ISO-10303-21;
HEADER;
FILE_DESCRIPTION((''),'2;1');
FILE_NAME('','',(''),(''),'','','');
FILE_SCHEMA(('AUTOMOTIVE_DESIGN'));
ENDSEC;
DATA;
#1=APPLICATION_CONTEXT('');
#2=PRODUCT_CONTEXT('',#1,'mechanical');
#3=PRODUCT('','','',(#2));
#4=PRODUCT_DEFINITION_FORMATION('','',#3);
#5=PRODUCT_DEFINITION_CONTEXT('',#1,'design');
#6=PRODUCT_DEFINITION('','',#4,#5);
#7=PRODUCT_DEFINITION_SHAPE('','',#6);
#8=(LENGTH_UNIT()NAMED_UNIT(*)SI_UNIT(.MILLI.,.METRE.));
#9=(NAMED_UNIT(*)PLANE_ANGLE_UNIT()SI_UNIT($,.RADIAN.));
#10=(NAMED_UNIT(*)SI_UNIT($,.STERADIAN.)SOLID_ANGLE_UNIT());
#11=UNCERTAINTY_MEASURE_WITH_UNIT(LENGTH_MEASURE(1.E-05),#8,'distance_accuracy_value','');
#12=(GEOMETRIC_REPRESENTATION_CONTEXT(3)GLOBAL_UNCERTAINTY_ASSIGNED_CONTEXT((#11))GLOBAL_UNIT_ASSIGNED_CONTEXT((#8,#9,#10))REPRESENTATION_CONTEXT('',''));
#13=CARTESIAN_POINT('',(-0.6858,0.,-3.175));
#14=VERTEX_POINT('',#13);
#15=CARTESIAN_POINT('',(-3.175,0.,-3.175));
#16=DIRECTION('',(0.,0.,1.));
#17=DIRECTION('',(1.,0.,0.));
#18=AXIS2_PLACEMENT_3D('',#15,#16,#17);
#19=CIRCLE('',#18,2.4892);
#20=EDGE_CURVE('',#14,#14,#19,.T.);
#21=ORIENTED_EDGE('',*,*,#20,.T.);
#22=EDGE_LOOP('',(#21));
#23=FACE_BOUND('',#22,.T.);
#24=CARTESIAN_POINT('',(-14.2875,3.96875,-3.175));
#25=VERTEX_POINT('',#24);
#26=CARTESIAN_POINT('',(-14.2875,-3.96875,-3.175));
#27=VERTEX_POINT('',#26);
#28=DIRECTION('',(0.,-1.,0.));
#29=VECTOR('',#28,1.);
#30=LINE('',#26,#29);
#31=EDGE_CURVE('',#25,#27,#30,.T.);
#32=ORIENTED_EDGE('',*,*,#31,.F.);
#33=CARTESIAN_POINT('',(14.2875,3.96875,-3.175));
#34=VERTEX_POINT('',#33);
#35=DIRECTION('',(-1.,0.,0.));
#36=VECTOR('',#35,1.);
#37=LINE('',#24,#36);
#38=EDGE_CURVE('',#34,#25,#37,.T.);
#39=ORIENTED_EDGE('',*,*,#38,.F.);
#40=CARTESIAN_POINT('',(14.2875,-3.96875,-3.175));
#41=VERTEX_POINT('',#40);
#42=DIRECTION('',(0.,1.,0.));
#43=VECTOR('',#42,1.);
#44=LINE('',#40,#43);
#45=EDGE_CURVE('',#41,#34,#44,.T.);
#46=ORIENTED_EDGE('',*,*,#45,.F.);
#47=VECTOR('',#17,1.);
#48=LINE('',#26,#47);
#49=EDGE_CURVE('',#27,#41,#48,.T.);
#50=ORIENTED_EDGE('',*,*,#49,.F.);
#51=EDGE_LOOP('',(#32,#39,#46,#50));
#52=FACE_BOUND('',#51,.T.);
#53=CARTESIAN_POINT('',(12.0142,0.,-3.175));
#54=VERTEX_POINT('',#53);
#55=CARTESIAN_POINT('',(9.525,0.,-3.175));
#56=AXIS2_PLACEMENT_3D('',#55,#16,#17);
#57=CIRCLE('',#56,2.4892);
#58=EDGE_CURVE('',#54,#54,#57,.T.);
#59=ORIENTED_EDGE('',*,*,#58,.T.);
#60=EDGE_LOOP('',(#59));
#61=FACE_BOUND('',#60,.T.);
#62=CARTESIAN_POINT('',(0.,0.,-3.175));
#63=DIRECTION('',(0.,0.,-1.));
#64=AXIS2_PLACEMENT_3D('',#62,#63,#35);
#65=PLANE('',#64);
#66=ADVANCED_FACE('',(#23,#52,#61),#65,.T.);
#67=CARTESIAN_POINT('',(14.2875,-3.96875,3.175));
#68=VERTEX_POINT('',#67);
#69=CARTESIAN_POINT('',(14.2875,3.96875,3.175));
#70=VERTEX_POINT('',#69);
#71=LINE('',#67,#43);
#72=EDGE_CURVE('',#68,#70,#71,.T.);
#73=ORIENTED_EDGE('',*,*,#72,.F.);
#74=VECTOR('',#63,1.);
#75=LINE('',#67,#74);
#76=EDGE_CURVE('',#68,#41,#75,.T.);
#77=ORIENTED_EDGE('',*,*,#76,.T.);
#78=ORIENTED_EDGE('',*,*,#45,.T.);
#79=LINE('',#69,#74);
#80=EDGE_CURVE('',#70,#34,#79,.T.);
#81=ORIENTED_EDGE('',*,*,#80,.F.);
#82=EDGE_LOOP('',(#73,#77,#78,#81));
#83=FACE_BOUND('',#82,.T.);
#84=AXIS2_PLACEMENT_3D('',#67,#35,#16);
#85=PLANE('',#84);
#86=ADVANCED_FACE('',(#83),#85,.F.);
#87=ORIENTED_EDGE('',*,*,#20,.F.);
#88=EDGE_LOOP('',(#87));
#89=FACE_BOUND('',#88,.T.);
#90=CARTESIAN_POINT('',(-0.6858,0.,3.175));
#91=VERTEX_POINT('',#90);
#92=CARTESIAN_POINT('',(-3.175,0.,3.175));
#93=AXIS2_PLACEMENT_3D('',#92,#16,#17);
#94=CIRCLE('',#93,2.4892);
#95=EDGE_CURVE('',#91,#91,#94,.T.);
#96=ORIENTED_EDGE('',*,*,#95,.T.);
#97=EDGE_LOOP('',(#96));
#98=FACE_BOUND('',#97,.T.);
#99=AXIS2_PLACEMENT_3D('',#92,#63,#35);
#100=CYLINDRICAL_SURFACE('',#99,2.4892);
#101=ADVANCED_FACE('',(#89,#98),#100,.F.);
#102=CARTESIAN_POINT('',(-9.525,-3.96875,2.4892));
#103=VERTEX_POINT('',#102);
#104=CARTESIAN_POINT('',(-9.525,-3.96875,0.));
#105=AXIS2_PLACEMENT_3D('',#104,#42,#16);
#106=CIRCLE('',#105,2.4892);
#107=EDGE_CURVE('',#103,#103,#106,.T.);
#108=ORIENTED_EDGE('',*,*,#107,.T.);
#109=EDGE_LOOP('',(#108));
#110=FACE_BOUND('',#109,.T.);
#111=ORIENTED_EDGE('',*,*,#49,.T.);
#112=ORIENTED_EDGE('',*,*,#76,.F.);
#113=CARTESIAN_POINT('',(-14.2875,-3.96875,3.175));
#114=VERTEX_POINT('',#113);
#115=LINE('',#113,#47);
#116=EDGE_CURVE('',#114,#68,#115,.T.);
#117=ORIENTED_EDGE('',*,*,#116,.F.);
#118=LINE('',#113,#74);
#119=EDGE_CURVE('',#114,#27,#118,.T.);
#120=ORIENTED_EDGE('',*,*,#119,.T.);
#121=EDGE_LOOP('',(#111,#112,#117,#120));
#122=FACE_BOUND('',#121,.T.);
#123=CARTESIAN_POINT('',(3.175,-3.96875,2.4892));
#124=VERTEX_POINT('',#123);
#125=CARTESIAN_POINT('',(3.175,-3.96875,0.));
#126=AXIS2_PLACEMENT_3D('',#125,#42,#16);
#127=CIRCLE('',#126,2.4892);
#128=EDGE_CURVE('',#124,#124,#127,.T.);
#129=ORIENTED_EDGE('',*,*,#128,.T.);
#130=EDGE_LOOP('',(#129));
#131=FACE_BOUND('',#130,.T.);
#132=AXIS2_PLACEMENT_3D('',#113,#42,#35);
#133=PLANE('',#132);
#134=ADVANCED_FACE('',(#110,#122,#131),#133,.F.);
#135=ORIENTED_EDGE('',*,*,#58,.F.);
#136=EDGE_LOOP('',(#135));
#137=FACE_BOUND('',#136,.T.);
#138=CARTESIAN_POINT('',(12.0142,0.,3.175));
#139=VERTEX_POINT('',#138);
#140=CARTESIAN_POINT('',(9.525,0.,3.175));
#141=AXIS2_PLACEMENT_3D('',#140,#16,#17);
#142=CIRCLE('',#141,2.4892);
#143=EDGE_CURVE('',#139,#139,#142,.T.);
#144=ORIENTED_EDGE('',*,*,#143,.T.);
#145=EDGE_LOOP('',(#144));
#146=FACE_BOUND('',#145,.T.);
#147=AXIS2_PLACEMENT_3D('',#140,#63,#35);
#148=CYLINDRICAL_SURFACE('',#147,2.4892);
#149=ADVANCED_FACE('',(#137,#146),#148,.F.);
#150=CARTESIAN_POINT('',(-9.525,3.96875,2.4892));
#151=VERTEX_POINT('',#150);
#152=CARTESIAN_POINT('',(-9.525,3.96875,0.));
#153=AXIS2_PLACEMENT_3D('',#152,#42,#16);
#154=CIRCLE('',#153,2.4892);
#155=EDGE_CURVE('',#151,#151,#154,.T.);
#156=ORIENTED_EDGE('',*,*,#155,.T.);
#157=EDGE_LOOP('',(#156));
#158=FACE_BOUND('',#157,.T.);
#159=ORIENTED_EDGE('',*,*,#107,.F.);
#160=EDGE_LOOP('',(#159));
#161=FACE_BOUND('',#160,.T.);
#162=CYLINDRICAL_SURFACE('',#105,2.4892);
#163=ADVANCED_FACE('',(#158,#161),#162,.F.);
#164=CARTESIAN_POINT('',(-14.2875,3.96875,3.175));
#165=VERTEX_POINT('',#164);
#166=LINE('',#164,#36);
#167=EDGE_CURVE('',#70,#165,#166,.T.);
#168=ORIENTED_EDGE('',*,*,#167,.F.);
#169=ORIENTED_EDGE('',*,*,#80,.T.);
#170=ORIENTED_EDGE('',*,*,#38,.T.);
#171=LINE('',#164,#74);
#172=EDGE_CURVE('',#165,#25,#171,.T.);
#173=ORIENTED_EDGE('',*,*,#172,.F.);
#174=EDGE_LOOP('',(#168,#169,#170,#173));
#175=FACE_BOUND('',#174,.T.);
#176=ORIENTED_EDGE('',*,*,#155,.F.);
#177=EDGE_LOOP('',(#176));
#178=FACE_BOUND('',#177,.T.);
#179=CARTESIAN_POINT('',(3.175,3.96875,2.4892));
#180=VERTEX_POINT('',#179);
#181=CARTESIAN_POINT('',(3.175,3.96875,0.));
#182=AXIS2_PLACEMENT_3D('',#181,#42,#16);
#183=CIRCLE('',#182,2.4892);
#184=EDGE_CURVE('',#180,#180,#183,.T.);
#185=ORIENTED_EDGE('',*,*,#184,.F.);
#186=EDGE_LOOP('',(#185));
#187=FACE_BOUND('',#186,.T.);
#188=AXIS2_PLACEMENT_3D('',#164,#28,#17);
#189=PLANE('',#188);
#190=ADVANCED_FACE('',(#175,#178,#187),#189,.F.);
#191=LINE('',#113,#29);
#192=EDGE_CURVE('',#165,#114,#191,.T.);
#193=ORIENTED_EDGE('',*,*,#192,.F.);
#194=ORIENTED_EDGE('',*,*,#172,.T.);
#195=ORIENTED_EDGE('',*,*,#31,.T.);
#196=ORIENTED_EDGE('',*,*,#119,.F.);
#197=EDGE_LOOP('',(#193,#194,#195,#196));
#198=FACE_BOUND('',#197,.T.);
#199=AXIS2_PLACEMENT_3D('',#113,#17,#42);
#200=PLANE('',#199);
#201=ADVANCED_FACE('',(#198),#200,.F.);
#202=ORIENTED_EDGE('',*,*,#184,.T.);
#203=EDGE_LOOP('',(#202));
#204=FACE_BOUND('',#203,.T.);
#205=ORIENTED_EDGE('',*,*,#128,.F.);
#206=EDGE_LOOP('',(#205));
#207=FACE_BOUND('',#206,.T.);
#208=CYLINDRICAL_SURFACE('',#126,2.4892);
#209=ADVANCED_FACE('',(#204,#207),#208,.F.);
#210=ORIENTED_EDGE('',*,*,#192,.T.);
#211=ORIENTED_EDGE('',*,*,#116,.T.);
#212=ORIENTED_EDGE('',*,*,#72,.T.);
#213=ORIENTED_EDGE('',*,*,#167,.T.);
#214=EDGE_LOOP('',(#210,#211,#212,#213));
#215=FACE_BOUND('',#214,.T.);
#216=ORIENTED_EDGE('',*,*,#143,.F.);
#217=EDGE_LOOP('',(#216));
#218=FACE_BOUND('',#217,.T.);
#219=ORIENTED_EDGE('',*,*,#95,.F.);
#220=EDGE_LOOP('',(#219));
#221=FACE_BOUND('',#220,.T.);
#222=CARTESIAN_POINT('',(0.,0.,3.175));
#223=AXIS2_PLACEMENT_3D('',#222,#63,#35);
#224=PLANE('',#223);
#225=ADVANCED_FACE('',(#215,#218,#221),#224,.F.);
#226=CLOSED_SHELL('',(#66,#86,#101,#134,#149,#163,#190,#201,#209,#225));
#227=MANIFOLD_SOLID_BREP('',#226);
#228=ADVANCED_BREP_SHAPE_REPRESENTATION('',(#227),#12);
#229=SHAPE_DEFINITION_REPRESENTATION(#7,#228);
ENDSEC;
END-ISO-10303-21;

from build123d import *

# Parameters (mm, degrees)
SKETCH1_W               = 28.575
SKETCH1_H               = 7.9375
SKETCH1_R               = 2.4892
BOSS_EXTRUDE1_DEPTH     = 3.175
CUT_EXTRUDE1_DEPTH      = 16.164572457
CUT_EXTRUDE1_DEPTH_BACK = 16.164572457
SKETCH2_R               = 2.4892


with BuildPart() as part:
    # Sketch1 → Boss-Extrude1 (new, symmetric)
    with BuildSketch(Plane.XY):
        Rectangle(SKETCH1_W, SKETCH1_H)
        with Locations((-3.175, 0)):
            Circle(SKETCH1_R, mode=Mode.SUBTRACT)
        with Locations((9.525, 0)):
            Circle(SKETCH1_R, mode=Mode.SUBTRACT)
    extrude(amount=BOSS_EXTRUDE1_DEPTH, both=True)

    # Sketch2 → Cut-Extrude1 (cut, two sides: drawn at the far end of the back side and taken through both)
    with BuildSketch(Plane(origin=(0, 0, 0), x_dir=(1, 0, 0), z_dir=(0, 1, 0)).offset(-CUT_EXTRUDE1_DEPTH_BACK)):
        with Locations(Location((3.175, 0, 0), (0, 0, 270))):
            Circle(SKETCH2_R)
        with Locations(Location((-9.525, 0, 0), (0, 0, 270))):
            Circle(SKETCH2_R)
    extrude(amount=CUT_EXTRUDE1_DEPTH + CUT_EXTRUDE1_DEPTH_BACK, mode=Mode.SUBTRACT)


solid = part.part
